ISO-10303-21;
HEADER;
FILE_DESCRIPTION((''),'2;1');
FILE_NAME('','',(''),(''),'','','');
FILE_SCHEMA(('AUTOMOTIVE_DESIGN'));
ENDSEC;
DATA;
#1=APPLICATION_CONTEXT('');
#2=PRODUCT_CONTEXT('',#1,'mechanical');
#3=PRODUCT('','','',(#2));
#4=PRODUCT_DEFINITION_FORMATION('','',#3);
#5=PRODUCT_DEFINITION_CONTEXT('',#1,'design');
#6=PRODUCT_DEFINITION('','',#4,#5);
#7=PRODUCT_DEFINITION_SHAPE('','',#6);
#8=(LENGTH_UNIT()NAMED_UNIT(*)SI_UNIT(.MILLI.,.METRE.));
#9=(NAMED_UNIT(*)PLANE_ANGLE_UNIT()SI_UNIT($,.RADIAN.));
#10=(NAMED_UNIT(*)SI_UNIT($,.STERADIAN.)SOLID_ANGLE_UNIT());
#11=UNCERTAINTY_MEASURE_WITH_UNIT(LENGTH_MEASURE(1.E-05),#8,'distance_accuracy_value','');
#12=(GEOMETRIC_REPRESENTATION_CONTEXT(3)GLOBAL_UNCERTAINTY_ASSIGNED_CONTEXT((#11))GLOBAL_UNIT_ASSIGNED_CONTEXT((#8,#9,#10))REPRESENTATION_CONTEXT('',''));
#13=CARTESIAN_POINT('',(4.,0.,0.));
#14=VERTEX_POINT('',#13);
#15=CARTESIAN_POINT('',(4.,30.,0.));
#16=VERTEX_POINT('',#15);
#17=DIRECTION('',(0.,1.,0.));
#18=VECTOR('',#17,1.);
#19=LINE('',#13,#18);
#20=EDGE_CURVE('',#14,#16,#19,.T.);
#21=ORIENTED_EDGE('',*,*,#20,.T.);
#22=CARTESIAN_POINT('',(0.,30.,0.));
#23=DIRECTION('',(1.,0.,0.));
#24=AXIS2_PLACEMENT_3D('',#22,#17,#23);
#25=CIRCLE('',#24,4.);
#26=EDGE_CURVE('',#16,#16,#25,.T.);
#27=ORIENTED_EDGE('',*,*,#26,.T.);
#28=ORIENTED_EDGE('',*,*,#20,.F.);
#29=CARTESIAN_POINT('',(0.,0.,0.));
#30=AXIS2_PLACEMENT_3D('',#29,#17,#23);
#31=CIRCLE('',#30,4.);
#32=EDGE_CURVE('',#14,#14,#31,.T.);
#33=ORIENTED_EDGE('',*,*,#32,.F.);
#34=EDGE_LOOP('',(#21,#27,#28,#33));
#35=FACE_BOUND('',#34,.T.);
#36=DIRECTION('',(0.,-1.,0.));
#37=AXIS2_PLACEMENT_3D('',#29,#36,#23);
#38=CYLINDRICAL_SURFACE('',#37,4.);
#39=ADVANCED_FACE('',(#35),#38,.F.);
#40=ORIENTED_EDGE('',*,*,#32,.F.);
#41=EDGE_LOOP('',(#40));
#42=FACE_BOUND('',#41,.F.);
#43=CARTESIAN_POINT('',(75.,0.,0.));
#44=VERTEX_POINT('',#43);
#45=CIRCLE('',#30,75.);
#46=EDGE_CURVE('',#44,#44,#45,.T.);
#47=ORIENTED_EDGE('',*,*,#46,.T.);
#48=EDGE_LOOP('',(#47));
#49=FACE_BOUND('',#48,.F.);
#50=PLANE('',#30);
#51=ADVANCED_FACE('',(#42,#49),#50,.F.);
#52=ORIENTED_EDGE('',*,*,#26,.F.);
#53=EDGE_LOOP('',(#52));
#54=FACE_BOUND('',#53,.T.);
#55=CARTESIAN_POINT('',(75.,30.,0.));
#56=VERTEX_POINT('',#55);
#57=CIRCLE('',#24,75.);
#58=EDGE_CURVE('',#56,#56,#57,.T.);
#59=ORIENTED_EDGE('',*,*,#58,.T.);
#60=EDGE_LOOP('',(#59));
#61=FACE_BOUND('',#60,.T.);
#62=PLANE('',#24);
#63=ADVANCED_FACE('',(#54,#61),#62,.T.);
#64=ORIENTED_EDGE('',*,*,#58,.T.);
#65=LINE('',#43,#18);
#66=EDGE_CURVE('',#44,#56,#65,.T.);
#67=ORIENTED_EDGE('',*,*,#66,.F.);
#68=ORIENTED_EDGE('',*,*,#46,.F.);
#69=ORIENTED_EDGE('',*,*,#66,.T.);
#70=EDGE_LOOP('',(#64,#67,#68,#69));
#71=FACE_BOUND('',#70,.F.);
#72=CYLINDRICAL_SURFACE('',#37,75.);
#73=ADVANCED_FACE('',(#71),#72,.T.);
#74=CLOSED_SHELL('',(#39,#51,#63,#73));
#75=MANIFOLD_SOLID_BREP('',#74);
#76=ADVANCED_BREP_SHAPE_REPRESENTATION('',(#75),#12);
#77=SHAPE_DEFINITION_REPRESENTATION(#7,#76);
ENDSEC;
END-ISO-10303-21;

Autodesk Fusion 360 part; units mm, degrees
sketch "Eskiz1" plane through (0, 0, 0) normal (0, 1, 0) x (1, 0, 0)
  circle A0 centre (0, 0) radius 75
  circle A1 centre (0, 0) radius 4
  dimension "d1" = 150
  dimension "d2" = 8
extrude "Ekstrüde Et1" add sketch "Eskiz1" along normal blind 30
